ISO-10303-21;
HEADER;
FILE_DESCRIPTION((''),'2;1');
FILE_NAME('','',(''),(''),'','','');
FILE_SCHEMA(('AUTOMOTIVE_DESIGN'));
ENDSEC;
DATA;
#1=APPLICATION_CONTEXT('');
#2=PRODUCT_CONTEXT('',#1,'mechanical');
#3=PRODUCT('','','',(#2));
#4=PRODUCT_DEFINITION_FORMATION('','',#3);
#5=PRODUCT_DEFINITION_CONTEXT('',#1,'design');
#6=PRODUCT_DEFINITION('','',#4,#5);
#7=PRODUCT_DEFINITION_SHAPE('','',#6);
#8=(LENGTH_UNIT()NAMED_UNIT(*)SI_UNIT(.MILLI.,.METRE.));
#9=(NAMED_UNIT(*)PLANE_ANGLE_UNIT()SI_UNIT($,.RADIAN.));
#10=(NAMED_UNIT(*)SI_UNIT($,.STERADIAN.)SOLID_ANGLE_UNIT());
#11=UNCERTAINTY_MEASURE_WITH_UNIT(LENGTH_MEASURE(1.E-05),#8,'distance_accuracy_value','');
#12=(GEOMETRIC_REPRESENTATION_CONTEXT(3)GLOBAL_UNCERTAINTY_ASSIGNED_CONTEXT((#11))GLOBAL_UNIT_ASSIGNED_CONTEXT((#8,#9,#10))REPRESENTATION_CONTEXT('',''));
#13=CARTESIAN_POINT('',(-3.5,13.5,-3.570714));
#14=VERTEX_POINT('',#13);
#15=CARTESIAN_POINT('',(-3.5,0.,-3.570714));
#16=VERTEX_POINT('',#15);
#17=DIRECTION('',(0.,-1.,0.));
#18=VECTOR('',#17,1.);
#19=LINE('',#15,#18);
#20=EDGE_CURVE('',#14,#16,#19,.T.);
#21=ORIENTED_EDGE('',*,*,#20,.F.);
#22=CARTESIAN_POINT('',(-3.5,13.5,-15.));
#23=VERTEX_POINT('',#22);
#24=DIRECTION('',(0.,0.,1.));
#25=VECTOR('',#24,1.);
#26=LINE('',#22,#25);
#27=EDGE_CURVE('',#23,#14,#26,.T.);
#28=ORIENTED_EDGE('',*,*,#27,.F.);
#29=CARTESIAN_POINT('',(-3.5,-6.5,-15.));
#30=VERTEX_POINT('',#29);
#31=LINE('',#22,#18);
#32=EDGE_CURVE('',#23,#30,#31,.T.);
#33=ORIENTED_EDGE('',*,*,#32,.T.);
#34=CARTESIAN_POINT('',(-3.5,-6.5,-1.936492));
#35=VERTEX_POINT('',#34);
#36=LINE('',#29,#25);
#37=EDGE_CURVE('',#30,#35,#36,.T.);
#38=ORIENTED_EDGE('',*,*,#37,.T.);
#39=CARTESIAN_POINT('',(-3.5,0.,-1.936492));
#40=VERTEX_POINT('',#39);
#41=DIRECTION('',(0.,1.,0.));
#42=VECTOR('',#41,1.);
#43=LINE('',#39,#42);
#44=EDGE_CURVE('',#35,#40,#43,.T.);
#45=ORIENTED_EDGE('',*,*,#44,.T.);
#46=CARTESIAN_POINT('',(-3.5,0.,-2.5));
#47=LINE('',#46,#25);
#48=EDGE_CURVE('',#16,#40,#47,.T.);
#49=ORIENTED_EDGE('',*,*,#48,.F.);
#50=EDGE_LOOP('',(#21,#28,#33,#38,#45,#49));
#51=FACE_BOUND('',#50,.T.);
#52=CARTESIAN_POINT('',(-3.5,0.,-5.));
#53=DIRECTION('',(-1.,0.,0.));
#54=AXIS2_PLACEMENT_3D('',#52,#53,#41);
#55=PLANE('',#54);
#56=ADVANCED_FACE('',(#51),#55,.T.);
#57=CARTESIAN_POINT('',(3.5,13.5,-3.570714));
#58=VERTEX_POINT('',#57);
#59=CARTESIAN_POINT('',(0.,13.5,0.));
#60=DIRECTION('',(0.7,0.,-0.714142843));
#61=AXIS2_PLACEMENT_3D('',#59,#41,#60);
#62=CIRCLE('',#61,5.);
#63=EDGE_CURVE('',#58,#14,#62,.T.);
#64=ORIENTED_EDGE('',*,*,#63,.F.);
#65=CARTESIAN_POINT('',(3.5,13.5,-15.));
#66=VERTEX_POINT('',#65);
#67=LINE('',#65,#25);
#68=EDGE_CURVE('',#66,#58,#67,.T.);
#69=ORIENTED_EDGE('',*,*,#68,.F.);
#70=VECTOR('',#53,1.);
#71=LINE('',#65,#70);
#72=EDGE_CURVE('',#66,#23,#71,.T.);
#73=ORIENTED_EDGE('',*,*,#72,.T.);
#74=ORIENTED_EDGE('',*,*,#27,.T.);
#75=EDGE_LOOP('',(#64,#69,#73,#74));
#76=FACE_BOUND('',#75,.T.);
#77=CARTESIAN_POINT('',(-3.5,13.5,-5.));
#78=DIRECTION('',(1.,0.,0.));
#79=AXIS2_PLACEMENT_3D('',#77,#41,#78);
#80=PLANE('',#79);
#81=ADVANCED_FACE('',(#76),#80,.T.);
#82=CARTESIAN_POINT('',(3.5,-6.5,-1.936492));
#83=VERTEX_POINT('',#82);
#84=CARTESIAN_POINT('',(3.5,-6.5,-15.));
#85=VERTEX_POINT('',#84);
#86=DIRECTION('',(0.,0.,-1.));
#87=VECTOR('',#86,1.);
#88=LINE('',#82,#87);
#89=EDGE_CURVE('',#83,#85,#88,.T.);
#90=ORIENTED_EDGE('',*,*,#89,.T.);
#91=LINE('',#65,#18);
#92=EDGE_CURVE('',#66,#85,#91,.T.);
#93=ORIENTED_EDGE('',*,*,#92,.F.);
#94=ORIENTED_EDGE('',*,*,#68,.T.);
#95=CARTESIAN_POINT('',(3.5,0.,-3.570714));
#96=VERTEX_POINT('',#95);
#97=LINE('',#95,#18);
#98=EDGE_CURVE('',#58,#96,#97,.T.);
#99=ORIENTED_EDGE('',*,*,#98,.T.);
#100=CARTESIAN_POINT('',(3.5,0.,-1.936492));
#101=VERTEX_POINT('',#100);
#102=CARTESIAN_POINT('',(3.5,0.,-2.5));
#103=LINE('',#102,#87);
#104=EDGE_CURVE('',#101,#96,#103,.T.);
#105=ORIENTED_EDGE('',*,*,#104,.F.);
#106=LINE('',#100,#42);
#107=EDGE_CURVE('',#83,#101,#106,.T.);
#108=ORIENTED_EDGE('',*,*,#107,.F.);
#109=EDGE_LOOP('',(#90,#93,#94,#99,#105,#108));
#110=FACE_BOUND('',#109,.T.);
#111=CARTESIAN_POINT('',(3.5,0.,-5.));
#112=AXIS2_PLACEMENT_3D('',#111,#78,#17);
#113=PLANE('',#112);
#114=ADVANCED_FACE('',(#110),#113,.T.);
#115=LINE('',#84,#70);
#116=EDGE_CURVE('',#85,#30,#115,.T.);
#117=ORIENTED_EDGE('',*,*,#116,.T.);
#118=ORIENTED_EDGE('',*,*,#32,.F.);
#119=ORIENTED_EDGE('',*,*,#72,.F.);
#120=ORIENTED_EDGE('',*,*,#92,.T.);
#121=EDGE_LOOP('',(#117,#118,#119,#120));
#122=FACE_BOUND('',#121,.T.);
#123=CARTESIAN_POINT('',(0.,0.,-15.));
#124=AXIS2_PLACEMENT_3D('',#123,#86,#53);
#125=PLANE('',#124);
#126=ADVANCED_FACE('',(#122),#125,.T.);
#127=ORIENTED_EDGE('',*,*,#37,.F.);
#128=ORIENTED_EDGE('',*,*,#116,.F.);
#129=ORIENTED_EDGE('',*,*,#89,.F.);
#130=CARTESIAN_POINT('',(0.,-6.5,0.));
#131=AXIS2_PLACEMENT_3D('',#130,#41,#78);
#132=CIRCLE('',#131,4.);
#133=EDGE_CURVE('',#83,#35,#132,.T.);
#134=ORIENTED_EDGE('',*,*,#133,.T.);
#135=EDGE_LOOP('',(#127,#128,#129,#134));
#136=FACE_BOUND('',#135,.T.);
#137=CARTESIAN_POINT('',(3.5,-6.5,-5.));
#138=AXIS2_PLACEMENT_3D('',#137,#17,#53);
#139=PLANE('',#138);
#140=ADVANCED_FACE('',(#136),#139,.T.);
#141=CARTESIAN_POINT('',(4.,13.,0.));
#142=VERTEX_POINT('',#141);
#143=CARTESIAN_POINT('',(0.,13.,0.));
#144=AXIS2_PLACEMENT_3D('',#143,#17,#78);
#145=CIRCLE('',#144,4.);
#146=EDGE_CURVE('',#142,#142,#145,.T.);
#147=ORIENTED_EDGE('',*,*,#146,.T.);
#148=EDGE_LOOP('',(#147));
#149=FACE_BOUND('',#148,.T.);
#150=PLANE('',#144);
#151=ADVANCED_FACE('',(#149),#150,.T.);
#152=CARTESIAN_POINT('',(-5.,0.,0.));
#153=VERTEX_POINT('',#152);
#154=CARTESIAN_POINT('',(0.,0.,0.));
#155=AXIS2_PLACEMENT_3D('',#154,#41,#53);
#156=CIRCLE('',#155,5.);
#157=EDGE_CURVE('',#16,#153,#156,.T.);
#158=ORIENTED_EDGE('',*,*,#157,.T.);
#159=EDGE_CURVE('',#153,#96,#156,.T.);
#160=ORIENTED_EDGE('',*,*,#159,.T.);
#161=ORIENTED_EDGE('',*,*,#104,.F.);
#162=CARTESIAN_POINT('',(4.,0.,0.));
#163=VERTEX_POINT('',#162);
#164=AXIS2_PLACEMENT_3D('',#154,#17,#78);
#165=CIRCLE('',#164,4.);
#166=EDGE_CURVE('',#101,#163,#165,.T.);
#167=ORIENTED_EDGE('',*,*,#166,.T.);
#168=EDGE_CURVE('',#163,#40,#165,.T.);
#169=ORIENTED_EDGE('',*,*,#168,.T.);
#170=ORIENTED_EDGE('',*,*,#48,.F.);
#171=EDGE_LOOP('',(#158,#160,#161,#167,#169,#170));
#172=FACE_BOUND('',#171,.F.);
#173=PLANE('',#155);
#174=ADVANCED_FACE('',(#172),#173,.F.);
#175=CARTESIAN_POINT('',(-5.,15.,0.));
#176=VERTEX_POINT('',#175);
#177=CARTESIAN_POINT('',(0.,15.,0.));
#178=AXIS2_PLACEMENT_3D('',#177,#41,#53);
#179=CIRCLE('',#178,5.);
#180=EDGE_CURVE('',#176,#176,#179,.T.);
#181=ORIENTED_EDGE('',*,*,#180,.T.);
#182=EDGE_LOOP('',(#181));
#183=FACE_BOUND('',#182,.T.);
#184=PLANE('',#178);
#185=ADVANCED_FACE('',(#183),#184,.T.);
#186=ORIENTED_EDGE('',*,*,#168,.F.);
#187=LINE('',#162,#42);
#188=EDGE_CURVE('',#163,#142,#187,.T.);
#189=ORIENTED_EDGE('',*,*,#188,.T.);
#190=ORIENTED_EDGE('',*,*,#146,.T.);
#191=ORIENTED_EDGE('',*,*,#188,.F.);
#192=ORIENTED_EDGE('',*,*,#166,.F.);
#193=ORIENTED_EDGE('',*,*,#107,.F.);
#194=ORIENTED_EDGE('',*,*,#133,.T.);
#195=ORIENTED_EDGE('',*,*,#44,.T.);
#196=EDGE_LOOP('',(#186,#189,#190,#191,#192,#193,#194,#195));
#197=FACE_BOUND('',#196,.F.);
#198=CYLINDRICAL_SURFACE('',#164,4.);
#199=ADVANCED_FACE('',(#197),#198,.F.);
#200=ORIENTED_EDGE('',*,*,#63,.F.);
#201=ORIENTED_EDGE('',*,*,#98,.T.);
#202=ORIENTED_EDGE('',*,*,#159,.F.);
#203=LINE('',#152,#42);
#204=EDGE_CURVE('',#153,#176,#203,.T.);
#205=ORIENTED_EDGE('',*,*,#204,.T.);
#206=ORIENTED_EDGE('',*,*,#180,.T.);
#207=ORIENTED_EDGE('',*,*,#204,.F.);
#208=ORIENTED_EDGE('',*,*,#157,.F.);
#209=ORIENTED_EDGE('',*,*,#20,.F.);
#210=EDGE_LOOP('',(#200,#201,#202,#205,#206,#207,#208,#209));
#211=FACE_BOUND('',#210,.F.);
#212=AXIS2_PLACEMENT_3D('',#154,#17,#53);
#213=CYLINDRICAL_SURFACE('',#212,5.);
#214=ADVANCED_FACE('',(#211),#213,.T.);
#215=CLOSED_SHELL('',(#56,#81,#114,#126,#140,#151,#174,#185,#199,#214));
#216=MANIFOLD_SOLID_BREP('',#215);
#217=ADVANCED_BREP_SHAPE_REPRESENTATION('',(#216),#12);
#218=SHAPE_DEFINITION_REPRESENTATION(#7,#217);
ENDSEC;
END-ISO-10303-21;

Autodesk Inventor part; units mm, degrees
ref_plane "YZ Plane" through (0, 0, 0) normal (1, 0, 0) x (0, 1, 0)
ref_plane "XZ Plane" through (0, 0, 0) normal (0, 1, 0) x (-1, 0, 0)
ref_plane "XY Plane" through (0, 0, 0) normal (0, 0, 1) x (1, 0, 0)
sketch "スケッチ1" plane through (0, 0, 0) normal (0, 1, 0) x (-1, 0, 0)
  circle A0 centre (0, 0) radius 5
  dimension "d0" = 10
extrude "押し出し1" add sketch "スケッチ1" along normal blind 15
sketch "スケッチ2" plane through (0, 15, 0) normal (0, 1, 0) x (1, 0, 0)
  line L0 (0, 0) -> (0, 5)
  circle A0 centre (0, 0) radius 5 projected
sketch "スケッチ3" plane through (0, 15, 0) normal (0, 1, 0) x (1, 0, 0)
  point P0 (0, 0)
sketch "スケッチ4" plane through (0, 0, 0) normal (0, -1, 0) x (1, 0, 0)
  line L0 (0, 0) -> (0, -5)
  circle A0 centre (0, 0) radius 5 projected
ref_plane "作業平面1" through (0, 0, -5) normal (0, 0, -1) x (-1, 0, 0)
sketch "スケッチ5" plane through (0, 0, -5) normal (0, 0, -1) x (-1, 0, 0)
  line L0 (5, 15) -> (-5, 15) projected
  line L1 (0, 15) -> (0, 0)
sketch "スケッチ7" plane through (0, 0, 0) normal (0, -1, 0) x (1, 0, 0)
  circle A0 centre (0, 0) radius 4
  dimension "d3" = 8
sketch "スケッチ8" plane through (0, 0, -5) normal (0, 0, -1) x (-1, 0, 0)
  line L0 (3.5, 13.5) -> (-3.5, 13.5)
  line L1 (-3.5, 13.5) -> (-3.5, -6.5)
  line L2 (-3.5, -6.5) -> (3.5, -6.5)
  line L3 (3.5, -6.5) -> (3.5, 13.5)
  line L4 (5, 15) -> (-5, 15) projected
  line L5 (0, 15) -> (0, 0) projected
  line L6 (5, 0) -> (5, 15) projected
  line L7 (5, 15) -> (-5, 15) projected
  line L8 (5, 0) -> (-5, 0) projected
  dimension "d6" = 1.5
  dimension "d7" = 7
  dimension "d8" = 20
extrude "押し出し4" add sketch "スケッチ8" against normal blind 5 contours L3 L8 L5 L0 | L5 L8 L1 L0 | L3 L2 L1 L8
extrude "押し出し5" cut sketch "スケッチ7" along normal mid plane 26
extrude "押し出し6" add sketch "スケッチ8" along normal blind 10 contours L3 L8 L5 L0 | L5 L8 L1 L0 | L3 L2 L1 L8
properties part number "tale outer"
